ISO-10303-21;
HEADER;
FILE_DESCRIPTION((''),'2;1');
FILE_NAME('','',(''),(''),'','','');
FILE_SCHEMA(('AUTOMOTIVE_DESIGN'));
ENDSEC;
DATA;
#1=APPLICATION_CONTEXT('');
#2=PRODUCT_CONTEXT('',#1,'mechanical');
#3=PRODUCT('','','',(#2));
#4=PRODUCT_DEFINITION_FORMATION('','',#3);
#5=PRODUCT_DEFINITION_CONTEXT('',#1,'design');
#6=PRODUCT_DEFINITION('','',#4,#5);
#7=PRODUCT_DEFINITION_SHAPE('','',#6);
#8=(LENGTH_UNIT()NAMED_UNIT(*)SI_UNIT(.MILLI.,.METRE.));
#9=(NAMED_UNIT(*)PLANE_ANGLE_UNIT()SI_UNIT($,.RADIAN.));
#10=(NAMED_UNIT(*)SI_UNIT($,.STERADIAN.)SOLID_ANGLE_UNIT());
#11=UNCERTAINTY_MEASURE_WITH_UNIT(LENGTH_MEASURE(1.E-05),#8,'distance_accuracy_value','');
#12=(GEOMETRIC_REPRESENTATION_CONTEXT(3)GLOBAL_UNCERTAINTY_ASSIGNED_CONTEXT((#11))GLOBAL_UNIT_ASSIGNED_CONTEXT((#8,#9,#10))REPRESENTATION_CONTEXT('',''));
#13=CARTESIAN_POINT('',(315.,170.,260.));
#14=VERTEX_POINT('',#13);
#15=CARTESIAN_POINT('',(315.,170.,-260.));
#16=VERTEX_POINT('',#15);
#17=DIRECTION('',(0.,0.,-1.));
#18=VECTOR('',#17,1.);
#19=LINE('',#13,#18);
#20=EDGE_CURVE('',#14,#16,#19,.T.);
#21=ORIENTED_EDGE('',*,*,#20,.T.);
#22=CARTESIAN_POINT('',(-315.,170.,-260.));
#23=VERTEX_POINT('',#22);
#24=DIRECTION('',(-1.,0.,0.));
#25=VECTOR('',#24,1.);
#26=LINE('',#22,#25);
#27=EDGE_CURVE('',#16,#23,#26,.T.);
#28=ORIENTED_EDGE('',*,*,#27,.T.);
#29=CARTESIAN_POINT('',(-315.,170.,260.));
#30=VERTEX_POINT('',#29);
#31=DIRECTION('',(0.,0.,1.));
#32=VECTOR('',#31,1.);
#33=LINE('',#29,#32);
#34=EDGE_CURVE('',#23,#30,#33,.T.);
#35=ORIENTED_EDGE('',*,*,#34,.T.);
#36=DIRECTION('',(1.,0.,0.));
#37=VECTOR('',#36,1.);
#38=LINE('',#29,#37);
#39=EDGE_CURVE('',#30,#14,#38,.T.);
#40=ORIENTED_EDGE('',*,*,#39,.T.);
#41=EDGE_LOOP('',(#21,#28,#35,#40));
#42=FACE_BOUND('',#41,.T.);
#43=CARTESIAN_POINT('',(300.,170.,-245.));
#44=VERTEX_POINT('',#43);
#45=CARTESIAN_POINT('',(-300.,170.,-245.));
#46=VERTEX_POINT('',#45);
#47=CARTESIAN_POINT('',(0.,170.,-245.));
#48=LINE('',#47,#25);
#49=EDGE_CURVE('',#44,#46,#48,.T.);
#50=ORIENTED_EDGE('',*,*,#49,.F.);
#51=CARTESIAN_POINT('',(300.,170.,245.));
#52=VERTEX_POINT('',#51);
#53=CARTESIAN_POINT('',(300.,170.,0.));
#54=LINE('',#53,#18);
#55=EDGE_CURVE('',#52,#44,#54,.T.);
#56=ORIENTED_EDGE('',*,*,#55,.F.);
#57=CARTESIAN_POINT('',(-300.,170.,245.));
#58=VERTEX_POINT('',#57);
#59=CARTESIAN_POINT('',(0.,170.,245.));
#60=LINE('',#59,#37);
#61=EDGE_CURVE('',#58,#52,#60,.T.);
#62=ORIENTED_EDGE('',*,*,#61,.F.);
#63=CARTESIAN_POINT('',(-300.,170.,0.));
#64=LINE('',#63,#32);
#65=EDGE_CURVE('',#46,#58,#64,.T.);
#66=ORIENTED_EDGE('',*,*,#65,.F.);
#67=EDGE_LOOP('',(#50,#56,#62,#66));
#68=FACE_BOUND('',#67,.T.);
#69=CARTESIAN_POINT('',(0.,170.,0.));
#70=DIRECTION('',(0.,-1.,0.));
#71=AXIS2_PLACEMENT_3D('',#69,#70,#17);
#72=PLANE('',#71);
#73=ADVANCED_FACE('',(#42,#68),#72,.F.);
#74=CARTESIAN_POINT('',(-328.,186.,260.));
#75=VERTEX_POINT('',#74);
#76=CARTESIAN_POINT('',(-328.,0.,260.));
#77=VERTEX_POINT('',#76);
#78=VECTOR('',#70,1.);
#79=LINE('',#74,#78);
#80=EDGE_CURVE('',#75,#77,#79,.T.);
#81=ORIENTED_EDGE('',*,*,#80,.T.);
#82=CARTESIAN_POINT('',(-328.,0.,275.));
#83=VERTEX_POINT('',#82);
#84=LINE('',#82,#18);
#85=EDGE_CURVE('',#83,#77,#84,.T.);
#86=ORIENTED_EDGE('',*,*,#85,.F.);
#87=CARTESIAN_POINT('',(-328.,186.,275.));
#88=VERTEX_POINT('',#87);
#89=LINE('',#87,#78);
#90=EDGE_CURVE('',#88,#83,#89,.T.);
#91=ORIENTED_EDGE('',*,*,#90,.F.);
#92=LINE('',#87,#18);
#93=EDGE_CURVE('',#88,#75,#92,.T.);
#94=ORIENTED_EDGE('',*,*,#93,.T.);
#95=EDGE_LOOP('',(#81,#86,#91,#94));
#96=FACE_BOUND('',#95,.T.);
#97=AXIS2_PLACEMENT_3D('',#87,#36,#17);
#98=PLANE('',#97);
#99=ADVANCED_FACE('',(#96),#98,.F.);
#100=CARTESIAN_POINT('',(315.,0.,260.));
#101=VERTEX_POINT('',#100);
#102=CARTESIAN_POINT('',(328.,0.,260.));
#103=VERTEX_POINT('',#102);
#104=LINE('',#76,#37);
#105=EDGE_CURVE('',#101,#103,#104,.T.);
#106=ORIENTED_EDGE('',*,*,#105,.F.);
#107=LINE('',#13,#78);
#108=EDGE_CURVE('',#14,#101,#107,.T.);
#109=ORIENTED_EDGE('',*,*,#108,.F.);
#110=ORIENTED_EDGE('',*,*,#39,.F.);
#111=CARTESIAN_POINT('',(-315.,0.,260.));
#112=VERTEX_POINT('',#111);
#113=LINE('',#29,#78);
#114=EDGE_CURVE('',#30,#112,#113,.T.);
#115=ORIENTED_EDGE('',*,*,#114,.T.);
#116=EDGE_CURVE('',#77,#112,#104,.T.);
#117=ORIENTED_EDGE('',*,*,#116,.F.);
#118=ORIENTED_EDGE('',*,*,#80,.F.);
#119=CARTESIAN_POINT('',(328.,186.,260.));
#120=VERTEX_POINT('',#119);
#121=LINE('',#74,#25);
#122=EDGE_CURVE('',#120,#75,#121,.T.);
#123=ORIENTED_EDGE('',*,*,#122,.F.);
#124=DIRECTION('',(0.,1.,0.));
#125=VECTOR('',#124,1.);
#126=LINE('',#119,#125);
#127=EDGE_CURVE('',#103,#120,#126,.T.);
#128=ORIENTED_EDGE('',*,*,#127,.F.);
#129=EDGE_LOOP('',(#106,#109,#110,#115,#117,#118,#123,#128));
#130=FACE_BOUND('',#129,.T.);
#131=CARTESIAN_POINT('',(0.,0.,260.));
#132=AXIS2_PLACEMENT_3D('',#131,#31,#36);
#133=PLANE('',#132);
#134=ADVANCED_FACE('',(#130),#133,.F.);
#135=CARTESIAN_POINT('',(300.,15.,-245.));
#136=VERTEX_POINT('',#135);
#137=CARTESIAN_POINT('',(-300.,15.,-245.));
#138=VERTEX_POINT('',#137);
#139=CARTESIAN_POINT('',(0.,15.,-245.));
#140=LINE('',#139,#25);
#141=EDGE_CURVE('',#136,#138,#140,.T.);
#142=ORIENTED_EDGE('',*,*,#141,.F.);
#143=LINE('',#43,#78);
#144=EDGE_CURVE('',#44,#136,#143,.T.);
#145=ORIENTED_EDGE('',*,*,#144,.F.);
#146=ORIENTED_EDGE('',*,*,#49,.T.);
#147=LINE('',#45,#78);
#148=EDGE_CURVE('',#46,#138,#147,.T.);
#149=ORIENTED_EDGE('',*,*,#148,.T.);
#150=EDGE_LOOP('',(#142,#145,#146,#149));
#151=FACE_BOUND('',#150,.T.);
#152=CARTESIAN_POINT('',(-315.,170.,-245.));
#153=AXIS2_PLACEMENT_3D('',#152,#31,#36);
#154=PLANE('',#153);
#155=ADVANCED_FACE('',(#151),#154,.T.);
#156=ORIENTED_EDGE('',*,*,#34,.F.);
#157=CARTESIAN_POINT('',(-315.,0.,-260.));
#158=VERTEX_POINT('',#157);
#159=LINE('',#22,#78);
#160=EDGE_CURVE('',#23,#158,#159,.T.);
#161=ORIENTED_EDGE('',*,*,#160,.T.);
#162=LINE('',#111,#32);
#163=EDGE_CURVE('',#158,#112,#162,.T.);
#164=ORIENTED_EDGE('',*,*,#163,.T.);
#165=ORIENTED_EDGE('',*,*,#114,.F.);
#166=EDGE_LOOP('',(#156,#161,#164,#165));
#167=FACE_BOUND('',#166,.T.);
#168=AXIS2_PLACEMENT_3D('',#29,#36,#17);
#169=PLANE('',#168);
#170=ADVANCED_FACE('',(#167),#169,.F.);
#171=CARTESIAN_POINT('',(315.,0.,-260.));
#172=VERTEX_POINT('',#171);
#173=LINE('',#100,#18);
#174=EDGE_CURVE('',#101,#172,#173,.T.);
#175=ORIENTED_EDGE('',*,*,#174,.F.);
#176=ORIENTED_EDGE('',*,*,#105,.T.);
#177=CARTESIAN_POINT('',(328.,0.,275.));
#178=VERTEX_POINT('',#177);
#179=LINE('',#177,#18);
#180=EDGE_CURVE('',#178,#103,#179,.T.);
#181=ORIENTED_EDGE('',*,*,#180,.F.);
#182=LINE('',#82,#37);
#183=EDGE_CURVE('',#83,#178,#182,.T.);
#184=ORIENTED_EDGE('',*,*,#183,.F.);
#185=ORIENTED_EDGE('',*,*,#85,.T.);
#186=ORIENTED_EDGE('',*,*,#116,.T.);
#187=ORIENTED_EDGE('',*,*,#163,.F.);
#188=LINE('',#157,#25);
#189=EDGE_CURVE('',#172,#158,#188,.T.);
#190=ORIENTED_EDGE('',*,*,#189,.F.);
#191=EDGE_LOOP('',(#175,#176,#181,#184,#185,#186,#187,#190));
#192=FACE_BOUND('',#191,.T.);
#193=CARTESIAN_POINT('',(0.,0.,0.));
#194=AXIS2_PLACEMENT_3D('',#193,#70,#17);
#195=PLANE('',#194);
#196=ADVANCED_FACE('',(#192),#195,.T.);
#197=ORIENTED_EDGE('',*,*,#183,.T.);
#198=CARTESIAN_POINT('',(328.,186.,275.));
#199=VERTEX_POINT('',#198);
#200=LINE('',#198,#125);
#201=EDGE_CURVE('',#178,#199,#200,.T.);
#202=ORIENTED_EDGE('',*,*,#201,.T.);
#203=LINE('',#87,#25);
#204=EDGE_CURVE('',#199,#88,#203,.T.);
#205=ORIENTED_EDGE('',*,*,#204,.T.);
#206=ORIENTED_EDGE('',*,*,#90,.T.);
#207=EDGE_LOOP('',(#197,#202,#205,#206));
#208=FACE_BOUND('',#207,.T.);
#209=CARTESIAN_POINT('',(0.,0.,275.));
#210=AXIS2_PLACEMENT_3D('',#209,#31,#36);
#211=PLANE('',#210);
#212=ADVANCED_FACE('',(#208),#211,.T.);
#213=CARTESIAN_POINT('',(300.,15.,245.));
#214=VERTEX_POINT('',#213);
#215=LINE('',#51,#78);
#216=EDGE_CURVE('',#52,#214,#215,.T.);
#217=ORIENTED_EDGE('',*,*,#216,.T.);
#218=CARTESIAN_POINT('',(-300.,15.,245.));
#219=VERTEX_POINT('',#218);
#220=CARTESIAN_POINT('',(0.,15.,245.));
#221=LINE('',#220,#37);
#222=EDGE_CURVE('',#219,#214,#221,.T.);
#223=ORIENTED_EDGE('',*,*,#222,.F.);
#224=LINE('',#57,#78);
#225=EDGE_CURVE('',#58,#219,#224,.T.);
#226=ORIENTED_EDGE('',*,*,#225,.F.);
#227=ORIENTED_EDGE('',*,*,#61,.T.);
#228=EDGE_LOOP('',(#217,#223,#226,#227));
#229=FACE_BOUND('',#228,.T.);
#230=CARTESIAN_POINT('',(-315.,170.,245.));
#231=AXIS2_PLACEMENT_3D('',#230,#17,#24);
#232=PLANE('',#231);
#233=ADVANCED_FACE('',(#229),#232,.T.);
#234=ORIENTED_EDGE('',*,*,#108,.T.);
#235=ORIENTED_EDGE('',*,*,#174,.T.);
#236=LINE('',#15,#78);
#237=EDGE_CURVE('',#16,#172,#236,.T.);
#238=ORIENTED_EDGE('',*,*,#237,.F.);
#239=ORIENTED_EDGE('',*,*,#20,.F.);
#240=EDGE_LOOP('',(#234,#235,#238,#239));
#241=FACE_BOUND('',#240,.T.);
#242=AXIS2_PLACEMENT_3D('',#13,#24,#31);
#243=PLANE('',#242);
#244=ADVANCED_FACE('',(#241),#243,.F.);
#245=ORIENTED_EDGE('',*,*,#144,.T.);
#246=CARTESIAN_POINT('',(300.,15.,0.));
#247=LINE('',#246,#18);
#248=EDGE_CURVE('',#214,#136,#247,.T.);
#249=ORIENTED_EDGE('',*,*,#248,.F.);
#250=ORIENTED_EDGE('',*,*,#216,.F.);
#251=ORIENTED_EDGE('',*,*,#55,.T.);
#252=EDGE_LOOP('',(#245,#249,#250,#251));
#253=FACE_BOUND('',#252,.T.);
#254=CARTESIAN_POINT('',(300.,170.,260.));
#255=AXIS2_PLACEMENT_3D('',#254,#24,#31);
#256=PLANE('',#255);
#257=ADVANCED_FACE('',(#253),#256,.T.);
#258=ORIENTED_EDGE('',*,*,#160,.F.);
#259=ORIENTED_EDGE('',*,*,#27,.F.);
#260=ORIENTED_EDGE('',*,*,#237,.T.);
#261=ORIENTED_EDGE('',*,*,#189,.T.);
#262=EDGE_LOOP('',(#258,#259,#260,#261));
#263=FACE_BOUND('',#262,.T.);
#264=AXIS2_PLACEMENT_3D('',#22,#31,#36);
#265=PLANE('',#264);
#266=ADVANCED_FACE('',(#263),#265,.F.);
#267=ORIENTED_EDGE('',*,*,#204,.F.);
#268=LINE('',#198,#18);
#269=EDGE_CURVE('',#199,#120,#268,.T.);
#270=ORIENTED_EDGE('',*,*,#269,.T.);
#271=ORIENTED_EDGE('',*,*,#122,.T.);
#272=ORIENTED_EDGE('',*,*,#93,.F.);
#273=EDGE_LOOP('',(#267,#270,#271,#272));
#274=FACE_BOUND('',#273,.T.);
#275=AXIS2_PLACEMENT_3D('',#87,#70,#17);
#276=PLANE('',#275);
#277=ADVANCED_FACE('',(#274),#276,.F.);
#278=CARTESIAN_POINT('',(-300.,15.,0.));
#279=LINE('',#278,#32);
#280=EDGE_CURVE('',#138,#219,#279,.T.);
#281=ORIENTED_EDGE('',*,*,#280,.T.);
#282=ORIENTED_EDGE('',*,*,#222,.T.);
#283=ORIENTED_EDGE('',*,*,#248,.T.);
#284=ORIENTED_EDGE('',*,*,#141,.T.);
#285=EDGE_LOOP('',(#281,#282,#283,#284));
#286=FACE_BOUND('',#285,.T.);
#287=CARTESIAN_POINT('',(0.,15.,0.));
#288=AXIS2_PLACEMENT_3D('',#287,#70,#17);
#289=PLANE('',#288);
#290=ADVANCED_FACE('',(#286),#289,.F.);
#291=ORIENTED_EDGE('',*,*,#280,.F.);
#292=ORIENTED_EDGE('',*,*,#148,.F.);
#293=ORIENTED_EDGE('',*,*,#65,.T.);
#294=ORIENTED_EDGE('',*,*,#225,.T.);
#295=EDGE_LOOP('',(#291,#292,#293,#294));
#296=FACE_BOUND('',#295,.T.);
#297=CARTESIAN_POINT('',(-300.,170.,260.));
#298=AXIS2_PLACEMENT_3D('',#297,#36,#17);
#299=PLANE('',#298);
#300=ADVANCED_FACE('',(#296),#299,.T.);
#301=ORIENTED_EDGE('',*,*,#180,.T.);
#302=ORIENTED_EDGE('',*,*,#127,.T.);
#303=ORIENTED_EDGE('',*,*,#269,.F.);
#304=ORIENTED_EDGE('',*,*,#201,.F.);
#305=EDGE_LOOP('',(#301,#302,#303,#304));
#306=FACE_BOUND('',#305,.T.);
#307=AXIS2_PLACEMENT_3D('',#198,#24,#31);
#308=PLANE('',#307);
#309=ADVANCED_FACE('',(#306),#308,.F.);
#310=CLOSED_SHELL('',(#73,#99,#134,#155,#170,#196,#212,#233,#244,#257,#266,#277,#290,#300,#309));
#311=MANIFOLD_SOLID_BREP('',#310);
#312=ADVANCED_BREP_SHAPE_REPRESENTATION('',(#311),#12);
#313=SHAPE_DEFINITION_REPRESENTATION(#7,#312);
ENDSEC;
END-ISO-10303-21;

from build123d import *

# Parameters (mm, degrees)
SKETCH1_W           = 630
SKETCH1_H           = 520
EXTRUSION_DEPTH     = 170
DRAWER_S_INTERIOR_T = -15
SKETCH3_W           = 656
SKETCH3_H           = 186
BOSS_EXTRUDE3_DEPTH = 15


with BuildPart() as part:
    # Sketch1 → Extrusion (new body)
    with BuildSketch(Plane(origin=(0, 0, 0), x_dir=(1, 0, 0), z_dir=(0, 1, 0))):
        Rectangle(SKETCH1_W, SKETCH1_H)
    extrude(amount=EXTRUSION_DEPTH)

    # Drawer's interior
    drawer_s_interior_openings = [part.faces().sort_by_distance(p)[0] for p in [
        (0, 170, 0),
    ]]
    offset(amount=DRAWER_S_INTERIOR_T, openings=drawer_s_interior_openings, kind=Kind.INTERSECTION)

    # Sketch3 → Boss-Extrude3 (add)
    with BuildSketch(Plane.XY.offset(260)):
        with Locations((0, 93)):
            Rectangle(SKETCH3_W, SKETCH3_H)
    extrude(amount=BOSS_EXTRUDE3_DEPTH)


solid = part.part
